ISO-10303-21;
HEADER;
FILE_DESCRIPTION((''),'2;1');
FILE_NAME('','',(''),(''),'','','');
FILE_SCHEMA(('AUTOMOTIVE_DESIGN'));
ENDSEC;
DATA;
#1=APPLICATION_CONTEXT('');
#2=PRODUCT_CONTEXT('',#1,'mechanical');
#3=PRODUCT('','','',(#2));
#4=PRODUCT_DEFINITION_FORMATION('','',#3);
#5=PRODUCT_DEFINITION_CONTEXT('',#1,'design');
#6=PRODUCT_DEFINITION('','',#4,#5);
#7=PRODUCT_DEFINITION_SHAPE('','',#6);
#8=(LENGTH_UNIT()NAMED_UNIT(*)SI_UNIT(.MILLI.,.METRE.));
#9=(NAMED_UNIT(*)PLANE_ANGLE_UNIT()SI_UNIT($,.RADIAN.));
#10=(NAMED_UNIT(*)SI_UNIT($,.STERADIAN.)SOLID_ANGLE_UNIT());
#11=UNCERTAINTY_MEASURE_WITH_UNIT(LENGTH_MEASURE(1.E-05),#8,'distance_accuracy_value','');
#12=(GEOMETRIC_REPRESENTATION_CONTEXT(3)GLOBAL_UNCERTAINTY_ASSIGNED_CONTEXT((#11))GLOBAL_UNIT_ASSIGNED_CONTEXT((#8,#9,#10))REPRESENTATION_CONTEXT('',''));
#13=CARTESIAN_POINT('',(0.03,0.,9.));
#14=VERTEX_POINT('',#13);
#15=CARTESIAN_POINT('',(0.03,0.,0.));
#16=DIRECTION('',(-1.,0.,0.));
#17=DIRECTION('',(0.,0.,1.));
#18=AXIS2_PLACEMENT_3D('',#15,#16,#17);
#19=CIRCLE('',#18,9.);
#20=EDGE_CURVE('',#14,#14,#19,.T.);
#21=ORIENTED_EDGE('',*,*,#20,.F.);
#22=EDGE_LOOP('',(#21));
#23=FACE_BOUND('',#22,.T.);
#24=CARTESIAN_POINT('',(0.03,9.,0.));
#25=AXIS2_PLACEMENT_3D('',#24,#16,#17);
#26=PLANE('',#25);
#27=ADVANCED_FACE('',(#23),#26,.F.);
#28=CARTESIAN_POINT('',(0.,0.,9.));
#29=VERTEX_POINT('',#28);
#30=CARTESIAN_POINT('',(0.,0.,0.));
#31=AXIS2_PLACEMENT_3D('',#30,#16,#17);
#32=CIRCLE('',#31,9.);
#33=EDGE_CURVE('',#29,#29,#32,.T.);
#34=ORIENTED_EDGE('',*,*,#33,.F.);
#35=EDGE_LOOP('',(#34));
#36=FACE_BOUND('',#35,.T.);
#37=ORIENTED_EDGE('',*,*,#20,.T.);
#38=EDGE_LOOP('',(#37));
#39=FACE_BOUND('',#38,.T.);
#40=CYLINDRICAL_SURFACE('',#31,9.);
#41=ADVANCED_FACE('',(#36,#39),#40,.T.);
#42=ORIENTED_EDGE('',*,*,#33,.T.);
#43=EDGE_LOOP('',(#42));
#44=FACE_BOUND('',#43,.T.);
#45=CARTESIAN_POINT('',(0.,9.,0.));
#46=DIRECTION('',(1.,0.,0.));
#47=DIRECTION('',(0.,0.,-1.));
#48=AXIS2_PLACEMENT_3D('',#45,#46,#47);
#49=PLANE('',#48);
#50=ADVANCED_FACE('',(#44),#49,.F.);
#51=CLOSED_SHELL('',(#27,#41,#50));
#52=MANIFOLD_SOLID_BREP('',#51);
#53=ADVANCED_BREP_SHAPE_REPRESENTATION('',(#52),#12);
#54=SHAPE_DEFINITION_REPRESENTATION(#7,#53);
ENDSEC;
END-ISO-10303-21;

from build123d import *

# Parameters (mm, degrees)
SKETCH_1_W = 0.03
SKETCH_1_H = 9


with BuildPart() as part:
    # 草图1 → 旋转2 (revolve)
    with BuildSketch(Plane.XY, mode=Mode.PRIVATE) as revolve_2_sk:
        with Locations((0.015, 4.5)):
            Rectangle(SKETCH_1_W, SKETCH_1_H)
    revolve(revolve_2_sk.sketch.rotate(Axis((0, 0, 0), (1, 0, 0)), 90), axis=Axis((0, 0, 0), (1, 0, 0)))  # turned: the seam where the file's is


solid = part.part
